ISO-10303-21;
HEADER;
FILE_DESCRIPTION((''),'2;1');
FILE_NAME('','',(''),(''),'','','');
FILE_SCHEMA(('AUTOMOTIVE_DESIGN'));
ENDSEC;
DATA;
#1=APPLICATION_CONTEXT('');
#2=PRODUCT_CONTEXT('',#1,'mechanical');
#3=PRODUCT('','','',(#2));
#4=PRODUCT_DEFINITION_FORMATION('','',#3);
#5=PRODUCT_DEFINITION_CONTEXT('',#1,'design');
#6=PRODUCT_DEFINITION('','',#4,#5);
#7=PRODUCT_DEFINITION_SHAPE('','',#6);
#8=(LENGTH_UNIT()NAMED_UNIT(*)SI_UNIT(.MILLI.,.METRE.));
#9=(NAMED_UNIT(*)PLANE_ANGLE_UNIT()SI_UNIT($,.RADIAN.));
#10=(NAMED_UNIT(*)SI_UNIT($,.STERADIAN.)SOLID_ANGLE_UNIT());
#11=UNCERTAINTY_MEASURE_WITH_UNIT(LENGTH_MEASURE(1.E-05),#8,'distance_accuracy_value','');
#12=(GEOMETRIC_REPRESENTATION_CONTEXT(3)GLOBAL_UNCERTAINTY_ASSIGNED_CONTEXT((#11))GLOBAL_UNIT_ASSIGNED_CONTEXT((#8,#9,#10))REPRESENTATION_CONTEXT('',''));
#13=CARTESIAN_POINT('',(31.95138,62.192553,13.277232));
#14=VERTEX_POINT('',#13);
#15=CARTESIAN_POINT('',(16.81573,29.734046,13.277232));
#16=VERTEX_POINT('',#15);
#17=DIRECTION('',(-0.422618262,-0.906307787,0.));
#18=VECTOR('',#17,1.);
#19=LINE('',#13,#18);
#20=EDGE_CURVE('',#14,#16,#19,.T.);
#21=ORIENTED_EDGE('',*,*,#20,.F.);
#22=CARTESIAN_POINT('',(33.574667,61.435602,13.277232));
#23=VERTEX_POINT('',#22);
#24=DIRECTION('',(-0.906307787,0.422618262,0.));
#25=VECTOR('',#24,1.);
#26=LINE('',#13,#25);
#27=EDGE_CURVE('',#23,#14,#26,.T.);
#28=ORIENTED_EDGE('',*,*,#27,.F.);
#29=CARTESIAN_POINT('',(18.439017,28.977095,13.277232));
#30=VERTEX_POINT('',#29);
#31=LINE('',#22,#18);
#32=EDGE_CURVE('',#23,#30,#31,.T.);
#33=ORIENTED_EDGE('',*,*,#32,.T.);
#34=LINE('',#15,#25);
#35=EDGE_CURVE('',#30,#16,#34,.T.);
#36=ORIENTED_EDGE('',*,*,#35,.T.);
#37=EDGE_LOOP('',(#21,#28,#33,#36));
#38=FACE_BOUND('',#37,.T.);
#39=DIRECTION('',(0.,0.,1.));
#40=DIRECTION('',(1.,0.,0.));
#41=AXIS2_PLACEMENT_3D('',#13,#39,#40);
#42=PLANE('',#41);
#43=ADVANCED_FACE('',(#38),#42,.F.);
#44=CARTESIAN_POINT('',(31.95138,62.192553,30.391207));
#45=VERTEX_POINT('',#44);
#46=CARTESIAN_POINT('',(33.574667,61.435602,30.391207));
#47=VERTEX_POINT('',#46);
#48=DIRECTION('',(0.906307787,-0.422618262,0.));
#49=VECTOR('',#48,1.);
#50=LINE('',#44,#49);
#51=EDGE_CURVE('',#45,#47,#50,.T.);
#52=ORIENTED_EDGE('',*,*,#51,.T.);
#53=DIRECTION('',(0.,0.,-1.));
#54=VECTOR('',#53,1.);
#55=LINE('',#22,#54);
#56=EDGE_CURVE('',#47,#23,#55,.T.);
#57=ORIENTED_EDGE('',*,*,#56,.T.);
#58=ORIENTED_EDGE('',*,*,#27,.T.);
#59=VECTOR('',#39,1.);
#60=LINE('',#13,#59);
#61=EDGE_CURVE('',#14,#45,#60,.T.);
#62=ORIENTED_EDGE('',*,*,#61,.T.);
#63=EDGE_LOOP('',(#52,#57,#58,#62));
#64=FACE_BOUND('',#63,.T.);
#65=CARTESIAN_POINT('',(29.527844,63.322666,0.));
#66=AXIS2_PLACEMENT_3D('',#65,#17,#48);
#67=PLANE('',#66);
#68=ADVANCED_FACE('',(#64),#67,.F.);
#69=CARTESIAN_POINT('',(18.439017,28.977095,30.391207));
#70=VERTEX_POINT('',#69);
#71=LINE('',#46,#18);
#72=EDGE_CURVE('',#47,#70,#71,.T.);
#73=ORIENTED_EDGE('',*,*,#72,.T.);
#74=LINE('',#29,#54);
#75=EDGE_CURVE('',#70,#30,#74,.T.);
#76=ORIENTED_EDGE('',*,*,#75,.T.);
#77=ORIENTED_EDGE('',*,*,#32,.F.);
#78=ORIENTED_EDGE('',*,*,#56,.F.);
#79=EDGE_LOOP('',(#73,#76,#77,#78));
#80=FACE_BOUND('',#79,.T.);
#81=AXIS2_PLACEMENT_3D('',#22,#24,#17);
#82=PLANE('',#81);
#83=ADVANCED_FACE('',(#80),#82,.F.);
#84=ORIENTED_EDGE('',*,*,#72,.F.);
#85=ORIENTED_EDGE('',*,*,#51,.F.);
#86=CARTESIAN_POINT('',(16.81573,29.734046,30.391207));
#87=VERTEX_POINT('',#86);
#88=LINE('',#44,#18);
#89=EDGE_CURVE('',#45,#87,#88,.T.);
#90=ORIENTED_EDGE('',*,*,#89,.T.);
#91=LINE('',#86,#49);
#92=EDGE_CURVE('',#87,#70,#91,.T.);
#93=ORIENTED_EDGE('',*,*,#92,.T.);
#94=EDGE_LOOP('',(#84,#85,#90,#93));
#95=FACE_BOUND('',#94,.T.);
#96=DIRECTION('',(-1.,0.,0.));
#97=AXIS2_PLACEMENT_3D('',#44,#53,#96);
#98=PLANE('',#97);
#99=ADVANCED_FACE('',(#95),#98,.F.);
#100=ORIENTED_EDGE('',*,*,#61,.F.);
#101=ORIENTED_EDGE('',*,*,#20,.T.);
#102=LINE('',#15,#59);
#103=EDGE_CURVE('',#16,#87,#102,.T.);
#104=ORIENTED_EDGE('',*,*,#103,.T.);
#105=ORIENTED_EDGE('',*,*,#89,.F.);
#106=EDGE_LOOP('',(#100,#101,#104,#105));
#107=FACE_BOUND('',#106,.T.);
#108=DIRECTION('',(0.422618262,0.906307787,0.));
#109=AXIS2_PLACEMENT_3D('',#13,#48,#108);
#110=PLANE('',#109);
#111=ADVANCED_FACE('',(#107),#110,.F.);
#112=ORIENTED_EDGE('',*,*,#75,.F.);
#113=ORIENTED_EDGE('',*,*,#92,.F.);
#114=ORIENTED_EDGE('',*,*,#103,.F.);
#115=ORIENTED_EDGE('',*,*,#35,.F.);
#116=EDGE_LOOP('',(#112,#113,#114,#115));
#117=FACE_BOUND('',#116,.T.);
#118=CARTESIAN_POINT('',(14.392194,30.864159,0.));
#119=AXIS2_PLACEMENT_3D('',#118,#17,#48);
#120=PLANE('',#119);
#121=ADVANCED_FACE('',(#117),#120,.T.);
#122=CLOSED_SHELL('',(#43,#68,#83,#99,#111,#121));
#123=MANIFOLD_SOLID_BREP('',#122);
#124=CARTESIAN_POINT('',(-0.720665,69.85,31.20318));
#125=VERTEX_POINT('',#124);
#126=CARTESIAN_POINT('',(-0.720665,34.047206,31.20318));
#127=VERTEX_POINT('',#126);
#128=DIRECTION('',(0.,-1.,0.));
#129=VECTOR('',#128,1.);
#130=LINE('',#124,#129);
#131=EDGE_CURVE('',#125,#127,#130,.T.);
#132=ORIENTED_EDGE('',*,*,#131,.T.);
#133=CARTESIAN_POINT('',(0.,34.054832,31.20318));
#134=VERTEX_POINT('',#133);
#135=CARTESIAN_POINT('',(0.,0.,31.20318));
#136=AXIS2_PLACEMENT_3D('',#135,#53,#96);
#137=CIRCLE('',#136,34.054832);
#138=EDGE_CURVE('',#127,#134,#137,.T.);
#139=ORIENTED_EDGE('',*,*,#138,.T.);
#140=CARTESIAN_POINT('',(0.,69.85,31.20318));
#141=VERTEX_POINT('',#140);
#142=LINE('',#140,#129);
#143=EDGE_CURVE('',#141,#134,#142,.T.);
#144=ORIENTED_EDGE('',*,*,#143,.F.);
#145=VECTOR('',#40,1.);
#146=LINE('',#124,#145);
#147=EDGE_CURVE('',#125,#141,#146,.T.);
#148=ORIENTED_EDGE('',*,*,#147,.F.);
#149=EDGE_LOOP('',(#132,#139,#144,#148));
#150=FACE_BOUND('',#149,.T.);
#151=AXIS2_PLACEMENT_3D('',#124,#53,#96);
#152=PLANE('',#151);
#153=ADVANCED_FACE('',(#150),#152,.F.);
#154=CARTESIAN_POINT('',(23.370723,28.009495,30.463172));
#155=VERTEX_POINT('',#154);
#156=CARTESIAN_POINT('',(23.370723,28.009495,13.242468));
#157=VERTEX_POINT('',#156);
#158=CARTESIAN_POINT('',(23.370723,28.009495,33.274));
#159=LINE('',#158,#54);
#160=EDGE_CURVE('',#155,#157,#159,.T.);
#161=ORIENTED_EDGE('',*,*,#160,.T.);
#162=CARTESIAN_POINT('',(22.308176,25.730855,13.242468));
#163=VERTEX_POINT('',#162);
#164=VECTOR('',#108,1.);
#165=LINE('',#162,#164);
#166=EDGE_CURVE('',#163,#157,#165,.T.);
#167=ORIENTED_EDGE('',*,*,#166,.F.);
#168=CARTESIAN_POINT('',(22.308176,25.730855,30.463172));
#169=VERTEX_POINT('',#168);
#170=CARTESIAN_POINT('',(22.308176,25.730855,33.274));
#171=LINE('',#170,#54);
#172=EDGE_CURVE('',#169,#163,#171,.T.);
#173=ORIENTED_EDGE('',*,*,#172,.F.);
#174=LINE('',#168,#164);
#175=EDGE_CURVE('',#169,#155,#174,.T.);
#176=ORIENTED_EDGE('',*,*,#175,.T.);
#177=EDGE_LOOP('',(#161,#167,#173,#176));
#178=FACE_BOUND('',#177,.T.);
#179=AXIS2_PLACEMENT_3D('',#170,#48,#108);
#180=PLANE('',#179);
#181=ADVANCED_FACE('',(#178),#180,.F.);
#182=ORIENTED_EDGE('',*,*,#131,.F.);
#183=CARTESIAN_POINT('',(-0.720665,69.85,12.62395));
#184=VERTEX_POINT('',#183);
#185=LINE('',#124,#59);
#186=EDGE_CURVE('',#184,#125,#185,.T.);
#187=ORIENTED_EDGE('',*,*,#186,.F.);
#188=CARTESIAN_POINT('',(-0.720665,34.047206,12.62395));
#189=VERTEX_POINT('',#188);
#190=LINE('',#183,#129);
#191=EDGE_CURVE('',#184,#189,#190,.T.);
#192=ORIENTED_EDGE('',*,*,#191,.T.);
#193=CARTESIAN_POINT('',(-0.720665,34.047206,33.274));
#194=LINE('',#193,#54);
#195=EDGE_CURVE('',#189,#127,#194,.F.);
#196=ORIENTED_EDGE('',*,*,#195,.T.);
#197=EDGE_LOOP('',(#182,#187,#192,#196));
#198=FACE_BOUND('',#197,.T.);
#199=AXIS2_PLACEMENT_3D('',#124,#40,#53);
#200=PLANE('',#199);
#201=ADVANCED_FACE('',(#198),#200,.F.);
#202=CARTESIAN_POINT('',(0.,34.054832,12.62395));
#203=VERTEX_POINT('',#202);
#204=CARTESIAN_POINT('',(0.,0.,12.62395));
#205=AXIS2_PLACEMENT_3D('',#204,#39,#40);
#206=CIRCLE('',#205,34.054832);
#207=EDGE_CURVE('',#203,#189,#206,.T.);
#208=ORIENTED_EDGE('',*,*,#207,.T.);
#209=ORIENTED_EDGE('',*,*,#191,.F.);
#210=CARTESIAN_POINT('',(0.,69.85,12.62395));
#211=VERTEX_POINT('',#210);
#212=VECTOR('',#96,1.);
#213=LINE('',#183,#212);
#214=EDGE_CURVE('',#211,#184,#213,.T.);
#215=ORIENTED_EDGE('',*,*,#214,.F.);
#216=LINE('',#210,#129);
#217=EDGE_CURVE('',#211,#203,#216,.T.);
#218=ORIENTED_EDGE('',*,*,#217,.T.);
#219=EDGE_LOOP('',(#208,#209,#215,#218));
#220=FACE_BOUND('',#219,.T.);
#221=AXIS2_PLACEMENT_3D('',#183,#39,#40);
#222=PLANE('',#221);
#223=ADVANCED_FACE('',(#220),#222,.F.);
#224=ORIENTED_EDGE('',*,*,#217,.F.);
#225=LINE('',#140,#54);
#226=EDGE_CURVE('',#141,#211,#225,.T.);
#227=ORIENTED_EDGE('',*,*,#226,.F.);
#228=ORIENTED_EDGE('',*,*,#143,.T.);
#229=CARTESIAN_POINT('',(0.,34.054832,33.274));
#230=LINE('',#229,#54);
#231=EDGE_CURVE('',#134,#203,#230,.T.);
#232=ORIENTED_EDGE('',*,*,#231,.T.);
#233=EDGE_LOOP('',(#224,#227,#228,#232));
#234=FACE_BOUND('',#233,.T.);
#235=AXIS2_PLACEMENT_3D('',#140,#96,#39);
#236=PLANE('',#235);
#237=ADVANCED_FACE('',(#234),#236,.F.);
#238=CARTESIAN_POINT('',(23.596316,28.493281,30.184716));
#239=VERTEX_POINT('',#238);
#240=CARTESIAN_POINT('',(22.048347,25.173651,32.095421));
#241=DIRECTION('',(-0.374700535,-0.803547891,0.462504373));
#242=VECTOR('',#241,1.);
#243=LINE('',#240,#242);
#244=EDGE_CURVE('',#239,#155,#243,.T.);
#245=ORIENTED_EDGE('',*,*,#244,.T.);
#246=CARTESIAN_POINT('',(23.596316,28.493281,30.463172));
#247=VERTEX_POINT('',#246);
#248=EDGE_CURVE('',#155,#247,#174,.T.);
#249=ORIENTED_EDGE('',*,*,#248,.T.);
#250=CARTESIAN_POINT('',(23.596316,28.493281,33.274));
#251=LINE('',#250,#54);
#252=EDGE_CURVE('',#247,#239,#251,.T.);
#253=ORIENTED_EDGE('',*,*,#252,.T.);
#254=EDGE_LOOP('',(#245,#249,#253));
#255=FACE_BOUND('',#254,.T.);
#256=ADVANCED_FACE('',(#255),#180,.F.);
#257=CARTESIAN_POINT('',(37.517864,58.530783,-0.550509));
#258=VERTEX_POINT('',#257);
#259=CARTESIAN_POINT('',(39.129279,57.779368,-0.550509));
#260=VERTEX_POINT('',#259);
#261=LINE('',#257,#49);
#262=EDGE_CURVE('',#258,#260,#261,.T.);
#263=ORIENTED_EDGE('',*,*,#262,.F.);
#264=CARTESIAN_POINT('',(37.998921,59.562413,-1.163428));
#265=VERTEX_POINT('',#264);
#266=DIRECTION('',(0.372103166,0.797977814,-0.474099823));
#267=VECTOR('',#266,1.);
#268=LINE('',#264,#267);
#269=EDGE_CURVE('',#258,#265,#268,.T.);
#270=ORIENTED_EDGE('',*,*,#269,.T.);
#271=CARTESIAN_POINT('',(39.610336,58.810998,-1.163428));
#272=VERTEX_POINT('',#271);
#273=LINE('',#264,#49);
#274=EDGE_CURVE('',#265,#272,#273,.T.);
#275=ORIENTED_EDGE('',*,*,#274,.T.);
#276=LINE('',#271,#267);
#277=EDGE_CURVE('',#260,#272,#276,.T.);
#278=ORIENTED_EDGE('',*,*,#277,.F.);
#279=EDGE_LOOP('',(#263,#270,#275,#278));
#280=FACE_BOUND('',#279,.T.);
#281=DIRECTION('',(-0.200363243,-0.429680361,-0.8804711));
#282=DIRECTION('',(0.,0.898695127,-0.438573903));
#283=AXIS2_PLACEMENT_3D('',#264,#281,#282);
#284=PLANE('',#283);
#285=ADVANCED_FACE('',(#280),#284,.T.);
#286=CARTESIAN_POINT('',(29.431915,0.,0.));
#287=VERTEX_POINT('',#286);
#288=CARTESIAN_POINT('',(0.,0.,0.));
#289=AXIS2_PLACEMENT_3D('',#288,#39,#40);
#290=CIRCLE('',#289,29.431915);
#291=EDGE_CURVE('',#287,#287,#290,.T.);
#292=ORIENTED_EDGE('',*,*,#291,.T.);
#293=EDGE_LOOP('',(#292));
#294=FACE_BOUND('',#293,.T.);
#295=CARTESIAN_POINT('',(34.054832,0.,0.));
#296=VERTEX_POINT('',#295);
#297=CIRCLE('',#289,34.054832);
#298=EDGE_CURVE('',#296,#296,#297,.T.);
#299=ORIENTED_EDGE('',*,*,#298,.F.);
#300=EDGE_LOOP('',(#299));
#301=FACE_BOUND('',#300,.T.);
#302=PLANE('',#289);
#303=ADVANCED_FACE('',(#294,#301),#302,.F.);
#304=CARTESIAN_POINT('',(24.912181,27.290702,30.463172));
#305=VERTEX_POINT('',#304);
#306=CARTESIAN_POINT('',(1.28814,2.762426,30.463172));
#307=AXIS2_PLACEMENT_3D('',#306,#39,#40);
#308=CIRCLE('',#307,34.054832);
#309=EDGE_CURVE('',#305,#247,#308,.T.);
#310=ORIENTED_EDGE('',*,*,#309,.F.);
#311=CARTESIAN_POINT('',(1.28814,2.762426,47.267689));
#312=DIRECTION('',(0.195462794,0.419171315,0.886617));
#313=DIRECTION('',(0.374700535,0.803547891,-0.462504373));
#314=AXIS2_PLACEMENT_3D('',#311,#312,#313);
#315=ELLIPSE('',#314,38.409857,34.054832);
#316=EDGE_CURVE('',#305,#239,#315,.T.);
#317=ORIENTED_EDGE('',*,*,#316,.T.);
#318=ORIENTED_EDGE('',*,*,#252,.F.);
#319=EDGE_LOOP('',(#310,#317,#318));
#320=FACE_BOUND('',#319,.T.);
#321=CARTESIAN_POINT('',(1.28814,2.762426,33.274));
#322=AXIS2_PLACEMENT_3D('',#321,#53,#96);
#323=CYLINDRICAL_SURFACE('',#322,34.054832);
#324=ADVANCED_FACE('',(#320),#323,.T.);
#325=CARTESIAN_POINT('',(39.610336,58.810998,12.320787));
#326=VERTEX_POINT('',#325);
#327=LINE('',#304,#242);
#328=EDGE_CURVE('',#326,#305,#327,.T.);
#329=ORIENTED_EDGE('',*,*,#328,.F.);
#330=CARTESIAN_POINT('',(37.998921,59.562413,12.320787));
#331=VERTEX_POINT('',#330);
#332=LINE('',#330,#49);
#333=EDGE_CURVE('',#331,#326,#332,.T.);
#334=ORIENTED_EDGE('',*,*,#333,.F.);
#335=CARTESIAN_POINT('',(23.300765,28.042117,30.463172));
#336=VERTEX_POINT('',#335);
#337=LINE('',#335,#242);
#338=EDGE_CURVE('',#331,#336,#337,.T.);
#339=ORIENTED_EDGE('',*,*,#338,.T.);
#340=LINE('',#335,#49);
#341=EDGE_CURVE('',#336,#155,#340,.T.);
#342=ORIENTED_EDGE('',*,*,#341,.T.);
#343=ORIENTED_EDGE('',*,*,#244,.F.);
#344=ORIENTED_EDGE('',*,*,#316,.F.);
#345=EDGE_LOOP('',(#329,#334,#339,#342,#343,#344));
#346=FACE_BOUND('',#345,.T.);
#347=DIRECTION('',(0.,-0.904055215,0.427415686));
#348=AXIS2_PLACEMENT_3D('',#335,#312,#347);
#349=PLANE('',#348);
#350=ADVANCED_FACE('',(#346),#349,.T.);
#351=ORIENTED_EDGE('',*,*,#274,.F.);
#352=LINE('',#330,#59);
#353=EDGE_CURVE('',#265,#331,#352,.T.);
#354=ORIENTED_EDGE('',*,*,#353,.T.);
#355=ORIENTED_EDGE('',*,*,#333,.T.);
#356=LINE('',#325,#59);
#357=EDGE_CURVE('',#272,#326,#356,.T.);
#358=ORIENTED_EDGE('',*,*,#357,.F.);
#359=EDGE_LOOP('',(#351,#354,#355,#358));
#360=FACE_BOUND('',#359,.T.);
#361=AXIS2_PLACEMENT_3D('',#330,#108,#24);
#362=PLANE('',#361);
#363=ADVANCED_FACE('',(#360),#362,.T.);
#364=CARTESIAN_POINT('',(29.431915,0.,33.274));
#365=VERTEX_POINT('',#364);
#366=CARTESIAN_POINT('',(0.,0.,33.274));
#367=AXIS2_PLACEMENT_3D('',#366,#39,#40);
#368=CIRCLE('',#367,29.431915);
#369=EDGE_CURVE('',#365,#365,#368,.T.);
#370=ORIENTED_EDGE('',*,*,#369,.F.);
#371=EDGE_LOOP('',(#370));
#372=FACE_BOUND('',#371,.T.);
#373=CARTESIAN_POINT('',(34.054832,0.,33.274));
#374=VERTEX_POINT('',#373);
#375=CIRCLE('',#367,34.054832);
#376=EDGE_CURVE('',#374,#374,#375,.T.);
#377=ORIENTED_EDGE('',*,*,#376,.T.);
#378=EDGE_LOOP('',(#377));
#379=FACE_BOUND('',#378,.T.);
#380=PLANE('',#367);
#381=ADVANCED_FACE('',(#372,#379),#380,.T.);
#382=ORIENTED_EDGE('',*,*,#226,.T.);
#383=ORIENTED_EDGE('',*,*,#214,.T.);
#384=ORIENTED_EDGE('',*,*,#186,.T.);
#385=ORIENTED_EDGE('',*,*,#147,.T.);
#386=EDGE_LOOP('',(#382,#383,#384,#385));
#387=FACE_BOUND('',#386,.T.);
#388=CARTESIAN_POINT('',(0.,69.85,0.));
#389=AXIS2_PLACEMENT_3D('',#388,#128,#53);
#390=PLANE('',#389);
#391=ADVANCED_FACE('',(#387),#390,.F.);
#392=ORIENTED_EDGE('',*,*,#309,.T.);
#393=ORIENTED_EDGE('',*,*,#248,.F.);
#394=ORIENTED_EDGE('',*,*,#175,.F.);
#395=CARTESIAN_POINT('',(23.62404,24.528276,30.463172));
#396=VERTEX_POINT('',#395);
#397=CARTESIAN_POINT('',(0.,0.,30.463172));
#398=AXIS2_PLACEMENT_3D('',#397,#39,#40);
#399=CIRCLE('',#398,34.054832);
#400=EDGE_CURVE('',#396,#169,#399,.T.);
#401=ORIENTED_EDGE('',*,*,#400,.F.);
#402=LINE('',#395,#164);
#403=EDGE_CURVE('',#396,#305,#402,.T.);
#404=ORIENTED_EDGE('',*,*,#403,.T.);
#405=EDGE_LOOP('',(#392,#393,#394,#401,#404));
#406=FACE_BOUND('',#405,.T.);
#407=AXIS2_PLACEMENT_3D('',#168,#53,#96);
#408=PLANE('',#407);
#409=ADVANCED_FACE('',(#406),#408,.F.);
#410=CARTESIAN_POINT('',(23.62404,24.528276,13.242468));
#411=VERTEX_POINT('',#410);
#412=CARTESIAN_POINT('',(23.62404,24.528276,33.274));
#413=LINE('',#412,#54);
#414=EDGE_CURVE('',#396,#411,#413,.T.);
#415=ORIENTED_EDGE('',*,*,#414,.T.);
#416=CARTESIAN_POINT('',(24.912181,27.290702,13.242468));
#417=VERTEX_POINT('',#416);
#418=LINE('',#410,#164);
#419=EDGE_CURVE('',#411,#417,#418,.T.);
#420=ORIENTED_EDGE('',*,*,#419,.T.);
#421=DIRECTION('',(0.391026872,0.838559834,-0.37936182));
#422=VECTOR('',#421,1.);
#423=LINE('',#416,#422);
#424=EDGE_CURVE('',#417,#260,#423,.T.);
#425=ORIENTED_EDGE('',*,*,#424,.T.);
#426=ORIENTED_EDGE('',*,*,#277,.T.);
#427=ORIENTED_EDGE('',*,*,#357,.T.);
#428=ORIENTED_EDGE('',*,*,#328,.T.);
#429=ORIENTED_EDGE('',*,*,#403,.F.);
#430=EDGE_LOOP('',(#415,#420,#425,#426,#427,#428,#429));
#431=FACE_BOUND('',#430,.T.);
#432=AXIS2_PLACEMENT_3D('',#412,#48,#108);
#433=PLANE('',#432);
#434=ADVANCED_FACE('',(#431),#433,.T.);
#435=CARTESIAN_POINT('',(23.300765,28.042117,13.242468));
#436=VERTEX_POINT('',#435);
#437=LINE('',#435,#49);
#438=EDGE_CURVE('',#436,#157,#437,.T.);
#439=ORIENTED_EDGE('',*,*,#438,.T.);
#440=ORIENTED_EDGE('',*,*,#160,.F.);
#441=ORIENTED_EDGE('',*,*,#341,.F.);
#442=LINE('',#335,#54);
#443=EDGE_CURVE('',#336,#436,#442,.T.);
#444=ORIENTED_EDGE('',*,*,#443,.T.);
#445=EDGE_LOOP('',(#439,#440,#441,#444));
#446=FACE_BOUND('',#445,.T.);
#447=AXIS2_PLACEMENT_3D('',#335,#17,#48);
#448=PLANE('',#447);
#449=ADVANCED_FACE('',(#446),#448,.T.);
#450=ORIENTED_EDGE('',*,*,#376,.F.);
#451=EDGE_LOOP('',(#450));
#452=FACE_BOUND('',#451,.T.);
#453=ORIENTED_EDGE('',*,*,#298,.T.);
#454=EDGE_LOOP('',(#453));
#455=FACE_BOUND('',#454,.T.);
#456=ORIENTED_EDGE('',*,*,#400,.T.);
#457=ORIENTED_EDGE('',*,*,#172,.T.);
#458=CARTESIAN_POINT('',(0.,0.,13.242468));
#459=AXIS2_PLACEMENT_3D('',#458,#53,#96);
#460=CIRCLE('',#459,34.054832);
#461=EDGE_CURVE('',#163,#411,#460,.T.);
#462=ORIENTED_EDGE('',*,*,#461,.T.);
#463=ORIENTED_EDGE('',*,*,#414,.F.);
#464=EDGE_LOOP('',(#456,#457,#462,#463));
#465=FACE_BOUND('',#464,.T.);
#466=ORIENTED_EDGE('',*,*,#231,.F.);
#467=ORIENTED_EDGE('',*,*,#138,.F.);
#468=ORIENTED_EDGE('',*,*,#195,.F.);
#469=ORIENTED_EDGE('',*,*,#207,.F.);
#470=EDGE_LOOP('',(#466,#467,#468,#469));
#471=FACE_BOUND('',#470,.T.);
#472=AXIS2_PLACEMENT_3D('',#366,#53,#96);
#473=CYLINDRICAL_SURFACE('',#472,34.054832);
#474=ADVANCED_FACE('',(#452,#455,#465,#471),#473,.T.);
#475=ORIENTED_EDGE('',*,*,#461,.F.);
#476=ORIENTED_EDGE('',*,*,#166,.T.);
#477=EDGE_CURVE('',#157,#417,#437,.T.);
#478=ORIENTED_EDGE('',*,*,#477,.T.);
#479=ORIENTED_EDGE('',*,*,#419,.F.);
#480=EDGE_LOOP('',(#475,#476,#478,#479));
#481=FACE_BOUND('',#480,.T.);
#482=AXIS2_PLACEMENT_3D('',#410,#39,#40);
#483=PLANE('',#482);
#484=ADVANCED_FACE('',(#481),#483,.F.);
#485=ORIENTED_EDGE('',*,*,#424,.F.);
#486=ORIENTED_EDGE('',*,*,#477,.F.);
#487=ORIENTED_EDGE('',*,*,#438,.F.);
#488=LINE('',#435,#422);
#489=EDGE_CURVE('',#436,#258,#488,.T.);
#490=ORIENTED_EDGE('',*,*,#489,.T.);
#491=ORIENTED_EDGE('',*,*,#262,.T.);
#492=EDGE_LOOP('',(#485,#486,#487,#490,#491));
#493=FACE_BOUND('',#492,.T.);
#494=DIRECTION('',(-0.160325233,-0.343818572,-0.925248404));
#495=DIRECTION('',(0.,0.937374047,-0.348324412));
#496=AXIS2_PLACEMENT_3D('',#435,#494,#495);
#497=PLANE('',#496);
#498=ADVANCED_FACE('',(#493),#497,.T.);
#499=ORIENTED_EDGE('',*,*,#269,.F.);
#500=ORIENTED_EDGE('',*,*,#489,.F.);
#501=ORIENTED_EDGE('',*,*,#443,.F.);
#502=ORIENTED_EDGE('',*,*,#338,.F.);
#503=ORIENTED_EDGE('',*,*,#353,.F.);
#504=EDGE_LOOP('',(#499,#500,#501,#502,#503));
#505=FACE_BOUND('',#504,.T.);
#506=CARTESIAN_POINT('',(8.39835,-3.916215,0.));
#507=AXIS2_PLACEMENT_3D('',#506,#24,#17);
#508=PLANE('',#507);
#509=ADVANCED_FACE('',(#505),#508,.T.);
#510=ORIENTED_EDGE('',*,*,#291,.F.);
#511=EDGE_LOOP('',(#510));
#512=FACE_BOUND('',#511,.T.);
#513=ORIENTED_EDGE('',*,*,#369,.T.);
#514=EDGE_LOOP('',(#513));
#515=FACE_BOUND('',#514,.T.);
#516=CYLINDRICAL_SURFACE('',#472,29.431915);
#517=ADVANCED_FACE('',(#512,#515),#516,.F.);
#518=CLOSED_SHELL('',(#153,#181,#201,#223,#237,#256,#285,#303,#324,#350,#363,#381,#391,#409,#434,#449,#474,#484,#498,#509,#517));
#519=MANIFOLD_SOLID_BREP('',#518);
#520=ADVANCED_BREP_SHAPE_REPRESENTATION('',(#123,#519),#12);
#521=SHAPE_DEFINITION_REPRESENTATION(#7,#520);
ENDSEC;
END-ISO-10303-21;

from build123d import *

# Parameters (mm, degrees)
SKETCH1_R                  = 34.054831914
SKETCH1_R_2                = 29.431915089
BOSS_EXTRUDE1_DEPTH        = 33.274
SKETCH2_W                  = 0.720665425
SKETCH2_H                  = 18.579229957
BOSS_EXTRUDE2_DEPTH        = 35.814
SKETCH4_W                  = 17.113974723
SKETCH4_H                  = 1.791098965
BOSS_EXTRUDE3_DEPTH        = 35.814
BOSS_EXTRUDE4_REACH        = 92.619
BOSS_EXTRUDE4_START_RADIUS = 34.054831914
BOSS_EXTRUDE4_END_RADIUS   = 34.054831914
SKETCH5_W                  = 17.220704339
SKETCH5_H                  = 1.700810305
BOSS_EXTRUDE5_DEPTH        = 1.778


with BuildPart() as part:
    # Sketch1 → Boss-Extrude1 (new body)
    with BuildSketch(Plane.XY):
        Circle(SKETCH1_R)
        Circle(SKETCH1_R_2, mode=Mode.SUBTRACT)
    extrude(amount=BOSS_EXTRUDE1_DEPTH)

    # Sketch2 → Boss-Extrude2 (add)
    with BuildSketch(Plane(origin=(0, 34.036, 0), x_dir=(1, 0, 0), z_dir=(0, 1, 0))):
        with Locations((-0.360332713, -21.913565349)):
            Rectangle(SKETCH2_W, SKETCH2_H)
    extrude(amount=BOSS_EXTRUDE2_DEPTH)



with BuildPart() as body_2:
    # Sketch4 → Boss-Extrude3 (new body)
    with BuildSketch(Plane(origin=(14.392193867, 30.86415935, 0), x_dir=(0, 0, -1), z_dir=(0.4226182617407033, 0.9063077870366482, 0))):
        with Locations((-21.834219148, -3.569625748)):
            Rectangle(SKETCH4_W, SKETCH4_H)
    extrude(amount=BOSS_EXTRUDE3_DEPTH)


with BuildPart() as body_3:
    # Boss-Extrude4: from a cylinder face, 92.619 long prism both ways, kept between that surface and its translate by the depth
    boss_extrude4_start = Plane(origin=(0, 0, 21.85282), z_dir=(0, 0, -1)) * Cylinder(BOSS_EXTRUDE4_START_RADIUS, 254.347663828, mode=Mode.PRIVATE)
    boss_extrude4_end = Plane(origin=(1.288140462, 2.762426135, 21.85282), z_dir=(0, 0, -1)) * Cylinder(BOSS_EXTRUDE4_END_RADIUS, 254.347663828, mode=Mode.PRIVATE)
    # Sketch5 → Boss-Extrude4 (new, from a surface)
    with BuildSketch(Plane(origin=(14.392193867, 30.86415935, 0), x_dir=(0, 0, -1), z_dir=(0.4226182617407033, 0.9063077870366482, 0)), mode=Mode.PRIVATE) as boss_extrude4_sk1:
        with Locations((-21.852819757, -10.19414928)):
            Rectangle(SKETCH5_W, SKETCH5_H)
    boss_extrude4_tool1 = extrude(boss_extrude4_sk1.sketch, amount=BOSS_EXTRUDE4_REACH, both=True, mode=Mode.PRIVATE)
    add(((boss_extrude4_tool1 - boss_extrude4_start) & boss_extrude4_end).solids().sort_by_distance((23.610178, 26.510778, 21.85282))[0])


with BuildPart() as part_1:
    add(part.part)

    add(body_3.part)  # Boss-Extrude5 merges body 3
    # Sketch6 → Boss-Extrude5 (add)
    with BuildSketch(Plane(origin=(10.009765687, -4.667630396, 0), x_dir=(0, 0, -1), z_dir=(0.9063077870366482, -0.42261826174070344, 0))):
        Polygon((-30.463171926, 35.262117931), (-13.242467587, 35.262117931), (0.550508704, 68.902638998), (1.163427563, 70.040916879), (-12.320787341, 70.040916879), align=None)
    extrude(amount=-BOSS_EXTRUDE5_DEPTH)


solid = Compound([body_2.part, part_1.part])
